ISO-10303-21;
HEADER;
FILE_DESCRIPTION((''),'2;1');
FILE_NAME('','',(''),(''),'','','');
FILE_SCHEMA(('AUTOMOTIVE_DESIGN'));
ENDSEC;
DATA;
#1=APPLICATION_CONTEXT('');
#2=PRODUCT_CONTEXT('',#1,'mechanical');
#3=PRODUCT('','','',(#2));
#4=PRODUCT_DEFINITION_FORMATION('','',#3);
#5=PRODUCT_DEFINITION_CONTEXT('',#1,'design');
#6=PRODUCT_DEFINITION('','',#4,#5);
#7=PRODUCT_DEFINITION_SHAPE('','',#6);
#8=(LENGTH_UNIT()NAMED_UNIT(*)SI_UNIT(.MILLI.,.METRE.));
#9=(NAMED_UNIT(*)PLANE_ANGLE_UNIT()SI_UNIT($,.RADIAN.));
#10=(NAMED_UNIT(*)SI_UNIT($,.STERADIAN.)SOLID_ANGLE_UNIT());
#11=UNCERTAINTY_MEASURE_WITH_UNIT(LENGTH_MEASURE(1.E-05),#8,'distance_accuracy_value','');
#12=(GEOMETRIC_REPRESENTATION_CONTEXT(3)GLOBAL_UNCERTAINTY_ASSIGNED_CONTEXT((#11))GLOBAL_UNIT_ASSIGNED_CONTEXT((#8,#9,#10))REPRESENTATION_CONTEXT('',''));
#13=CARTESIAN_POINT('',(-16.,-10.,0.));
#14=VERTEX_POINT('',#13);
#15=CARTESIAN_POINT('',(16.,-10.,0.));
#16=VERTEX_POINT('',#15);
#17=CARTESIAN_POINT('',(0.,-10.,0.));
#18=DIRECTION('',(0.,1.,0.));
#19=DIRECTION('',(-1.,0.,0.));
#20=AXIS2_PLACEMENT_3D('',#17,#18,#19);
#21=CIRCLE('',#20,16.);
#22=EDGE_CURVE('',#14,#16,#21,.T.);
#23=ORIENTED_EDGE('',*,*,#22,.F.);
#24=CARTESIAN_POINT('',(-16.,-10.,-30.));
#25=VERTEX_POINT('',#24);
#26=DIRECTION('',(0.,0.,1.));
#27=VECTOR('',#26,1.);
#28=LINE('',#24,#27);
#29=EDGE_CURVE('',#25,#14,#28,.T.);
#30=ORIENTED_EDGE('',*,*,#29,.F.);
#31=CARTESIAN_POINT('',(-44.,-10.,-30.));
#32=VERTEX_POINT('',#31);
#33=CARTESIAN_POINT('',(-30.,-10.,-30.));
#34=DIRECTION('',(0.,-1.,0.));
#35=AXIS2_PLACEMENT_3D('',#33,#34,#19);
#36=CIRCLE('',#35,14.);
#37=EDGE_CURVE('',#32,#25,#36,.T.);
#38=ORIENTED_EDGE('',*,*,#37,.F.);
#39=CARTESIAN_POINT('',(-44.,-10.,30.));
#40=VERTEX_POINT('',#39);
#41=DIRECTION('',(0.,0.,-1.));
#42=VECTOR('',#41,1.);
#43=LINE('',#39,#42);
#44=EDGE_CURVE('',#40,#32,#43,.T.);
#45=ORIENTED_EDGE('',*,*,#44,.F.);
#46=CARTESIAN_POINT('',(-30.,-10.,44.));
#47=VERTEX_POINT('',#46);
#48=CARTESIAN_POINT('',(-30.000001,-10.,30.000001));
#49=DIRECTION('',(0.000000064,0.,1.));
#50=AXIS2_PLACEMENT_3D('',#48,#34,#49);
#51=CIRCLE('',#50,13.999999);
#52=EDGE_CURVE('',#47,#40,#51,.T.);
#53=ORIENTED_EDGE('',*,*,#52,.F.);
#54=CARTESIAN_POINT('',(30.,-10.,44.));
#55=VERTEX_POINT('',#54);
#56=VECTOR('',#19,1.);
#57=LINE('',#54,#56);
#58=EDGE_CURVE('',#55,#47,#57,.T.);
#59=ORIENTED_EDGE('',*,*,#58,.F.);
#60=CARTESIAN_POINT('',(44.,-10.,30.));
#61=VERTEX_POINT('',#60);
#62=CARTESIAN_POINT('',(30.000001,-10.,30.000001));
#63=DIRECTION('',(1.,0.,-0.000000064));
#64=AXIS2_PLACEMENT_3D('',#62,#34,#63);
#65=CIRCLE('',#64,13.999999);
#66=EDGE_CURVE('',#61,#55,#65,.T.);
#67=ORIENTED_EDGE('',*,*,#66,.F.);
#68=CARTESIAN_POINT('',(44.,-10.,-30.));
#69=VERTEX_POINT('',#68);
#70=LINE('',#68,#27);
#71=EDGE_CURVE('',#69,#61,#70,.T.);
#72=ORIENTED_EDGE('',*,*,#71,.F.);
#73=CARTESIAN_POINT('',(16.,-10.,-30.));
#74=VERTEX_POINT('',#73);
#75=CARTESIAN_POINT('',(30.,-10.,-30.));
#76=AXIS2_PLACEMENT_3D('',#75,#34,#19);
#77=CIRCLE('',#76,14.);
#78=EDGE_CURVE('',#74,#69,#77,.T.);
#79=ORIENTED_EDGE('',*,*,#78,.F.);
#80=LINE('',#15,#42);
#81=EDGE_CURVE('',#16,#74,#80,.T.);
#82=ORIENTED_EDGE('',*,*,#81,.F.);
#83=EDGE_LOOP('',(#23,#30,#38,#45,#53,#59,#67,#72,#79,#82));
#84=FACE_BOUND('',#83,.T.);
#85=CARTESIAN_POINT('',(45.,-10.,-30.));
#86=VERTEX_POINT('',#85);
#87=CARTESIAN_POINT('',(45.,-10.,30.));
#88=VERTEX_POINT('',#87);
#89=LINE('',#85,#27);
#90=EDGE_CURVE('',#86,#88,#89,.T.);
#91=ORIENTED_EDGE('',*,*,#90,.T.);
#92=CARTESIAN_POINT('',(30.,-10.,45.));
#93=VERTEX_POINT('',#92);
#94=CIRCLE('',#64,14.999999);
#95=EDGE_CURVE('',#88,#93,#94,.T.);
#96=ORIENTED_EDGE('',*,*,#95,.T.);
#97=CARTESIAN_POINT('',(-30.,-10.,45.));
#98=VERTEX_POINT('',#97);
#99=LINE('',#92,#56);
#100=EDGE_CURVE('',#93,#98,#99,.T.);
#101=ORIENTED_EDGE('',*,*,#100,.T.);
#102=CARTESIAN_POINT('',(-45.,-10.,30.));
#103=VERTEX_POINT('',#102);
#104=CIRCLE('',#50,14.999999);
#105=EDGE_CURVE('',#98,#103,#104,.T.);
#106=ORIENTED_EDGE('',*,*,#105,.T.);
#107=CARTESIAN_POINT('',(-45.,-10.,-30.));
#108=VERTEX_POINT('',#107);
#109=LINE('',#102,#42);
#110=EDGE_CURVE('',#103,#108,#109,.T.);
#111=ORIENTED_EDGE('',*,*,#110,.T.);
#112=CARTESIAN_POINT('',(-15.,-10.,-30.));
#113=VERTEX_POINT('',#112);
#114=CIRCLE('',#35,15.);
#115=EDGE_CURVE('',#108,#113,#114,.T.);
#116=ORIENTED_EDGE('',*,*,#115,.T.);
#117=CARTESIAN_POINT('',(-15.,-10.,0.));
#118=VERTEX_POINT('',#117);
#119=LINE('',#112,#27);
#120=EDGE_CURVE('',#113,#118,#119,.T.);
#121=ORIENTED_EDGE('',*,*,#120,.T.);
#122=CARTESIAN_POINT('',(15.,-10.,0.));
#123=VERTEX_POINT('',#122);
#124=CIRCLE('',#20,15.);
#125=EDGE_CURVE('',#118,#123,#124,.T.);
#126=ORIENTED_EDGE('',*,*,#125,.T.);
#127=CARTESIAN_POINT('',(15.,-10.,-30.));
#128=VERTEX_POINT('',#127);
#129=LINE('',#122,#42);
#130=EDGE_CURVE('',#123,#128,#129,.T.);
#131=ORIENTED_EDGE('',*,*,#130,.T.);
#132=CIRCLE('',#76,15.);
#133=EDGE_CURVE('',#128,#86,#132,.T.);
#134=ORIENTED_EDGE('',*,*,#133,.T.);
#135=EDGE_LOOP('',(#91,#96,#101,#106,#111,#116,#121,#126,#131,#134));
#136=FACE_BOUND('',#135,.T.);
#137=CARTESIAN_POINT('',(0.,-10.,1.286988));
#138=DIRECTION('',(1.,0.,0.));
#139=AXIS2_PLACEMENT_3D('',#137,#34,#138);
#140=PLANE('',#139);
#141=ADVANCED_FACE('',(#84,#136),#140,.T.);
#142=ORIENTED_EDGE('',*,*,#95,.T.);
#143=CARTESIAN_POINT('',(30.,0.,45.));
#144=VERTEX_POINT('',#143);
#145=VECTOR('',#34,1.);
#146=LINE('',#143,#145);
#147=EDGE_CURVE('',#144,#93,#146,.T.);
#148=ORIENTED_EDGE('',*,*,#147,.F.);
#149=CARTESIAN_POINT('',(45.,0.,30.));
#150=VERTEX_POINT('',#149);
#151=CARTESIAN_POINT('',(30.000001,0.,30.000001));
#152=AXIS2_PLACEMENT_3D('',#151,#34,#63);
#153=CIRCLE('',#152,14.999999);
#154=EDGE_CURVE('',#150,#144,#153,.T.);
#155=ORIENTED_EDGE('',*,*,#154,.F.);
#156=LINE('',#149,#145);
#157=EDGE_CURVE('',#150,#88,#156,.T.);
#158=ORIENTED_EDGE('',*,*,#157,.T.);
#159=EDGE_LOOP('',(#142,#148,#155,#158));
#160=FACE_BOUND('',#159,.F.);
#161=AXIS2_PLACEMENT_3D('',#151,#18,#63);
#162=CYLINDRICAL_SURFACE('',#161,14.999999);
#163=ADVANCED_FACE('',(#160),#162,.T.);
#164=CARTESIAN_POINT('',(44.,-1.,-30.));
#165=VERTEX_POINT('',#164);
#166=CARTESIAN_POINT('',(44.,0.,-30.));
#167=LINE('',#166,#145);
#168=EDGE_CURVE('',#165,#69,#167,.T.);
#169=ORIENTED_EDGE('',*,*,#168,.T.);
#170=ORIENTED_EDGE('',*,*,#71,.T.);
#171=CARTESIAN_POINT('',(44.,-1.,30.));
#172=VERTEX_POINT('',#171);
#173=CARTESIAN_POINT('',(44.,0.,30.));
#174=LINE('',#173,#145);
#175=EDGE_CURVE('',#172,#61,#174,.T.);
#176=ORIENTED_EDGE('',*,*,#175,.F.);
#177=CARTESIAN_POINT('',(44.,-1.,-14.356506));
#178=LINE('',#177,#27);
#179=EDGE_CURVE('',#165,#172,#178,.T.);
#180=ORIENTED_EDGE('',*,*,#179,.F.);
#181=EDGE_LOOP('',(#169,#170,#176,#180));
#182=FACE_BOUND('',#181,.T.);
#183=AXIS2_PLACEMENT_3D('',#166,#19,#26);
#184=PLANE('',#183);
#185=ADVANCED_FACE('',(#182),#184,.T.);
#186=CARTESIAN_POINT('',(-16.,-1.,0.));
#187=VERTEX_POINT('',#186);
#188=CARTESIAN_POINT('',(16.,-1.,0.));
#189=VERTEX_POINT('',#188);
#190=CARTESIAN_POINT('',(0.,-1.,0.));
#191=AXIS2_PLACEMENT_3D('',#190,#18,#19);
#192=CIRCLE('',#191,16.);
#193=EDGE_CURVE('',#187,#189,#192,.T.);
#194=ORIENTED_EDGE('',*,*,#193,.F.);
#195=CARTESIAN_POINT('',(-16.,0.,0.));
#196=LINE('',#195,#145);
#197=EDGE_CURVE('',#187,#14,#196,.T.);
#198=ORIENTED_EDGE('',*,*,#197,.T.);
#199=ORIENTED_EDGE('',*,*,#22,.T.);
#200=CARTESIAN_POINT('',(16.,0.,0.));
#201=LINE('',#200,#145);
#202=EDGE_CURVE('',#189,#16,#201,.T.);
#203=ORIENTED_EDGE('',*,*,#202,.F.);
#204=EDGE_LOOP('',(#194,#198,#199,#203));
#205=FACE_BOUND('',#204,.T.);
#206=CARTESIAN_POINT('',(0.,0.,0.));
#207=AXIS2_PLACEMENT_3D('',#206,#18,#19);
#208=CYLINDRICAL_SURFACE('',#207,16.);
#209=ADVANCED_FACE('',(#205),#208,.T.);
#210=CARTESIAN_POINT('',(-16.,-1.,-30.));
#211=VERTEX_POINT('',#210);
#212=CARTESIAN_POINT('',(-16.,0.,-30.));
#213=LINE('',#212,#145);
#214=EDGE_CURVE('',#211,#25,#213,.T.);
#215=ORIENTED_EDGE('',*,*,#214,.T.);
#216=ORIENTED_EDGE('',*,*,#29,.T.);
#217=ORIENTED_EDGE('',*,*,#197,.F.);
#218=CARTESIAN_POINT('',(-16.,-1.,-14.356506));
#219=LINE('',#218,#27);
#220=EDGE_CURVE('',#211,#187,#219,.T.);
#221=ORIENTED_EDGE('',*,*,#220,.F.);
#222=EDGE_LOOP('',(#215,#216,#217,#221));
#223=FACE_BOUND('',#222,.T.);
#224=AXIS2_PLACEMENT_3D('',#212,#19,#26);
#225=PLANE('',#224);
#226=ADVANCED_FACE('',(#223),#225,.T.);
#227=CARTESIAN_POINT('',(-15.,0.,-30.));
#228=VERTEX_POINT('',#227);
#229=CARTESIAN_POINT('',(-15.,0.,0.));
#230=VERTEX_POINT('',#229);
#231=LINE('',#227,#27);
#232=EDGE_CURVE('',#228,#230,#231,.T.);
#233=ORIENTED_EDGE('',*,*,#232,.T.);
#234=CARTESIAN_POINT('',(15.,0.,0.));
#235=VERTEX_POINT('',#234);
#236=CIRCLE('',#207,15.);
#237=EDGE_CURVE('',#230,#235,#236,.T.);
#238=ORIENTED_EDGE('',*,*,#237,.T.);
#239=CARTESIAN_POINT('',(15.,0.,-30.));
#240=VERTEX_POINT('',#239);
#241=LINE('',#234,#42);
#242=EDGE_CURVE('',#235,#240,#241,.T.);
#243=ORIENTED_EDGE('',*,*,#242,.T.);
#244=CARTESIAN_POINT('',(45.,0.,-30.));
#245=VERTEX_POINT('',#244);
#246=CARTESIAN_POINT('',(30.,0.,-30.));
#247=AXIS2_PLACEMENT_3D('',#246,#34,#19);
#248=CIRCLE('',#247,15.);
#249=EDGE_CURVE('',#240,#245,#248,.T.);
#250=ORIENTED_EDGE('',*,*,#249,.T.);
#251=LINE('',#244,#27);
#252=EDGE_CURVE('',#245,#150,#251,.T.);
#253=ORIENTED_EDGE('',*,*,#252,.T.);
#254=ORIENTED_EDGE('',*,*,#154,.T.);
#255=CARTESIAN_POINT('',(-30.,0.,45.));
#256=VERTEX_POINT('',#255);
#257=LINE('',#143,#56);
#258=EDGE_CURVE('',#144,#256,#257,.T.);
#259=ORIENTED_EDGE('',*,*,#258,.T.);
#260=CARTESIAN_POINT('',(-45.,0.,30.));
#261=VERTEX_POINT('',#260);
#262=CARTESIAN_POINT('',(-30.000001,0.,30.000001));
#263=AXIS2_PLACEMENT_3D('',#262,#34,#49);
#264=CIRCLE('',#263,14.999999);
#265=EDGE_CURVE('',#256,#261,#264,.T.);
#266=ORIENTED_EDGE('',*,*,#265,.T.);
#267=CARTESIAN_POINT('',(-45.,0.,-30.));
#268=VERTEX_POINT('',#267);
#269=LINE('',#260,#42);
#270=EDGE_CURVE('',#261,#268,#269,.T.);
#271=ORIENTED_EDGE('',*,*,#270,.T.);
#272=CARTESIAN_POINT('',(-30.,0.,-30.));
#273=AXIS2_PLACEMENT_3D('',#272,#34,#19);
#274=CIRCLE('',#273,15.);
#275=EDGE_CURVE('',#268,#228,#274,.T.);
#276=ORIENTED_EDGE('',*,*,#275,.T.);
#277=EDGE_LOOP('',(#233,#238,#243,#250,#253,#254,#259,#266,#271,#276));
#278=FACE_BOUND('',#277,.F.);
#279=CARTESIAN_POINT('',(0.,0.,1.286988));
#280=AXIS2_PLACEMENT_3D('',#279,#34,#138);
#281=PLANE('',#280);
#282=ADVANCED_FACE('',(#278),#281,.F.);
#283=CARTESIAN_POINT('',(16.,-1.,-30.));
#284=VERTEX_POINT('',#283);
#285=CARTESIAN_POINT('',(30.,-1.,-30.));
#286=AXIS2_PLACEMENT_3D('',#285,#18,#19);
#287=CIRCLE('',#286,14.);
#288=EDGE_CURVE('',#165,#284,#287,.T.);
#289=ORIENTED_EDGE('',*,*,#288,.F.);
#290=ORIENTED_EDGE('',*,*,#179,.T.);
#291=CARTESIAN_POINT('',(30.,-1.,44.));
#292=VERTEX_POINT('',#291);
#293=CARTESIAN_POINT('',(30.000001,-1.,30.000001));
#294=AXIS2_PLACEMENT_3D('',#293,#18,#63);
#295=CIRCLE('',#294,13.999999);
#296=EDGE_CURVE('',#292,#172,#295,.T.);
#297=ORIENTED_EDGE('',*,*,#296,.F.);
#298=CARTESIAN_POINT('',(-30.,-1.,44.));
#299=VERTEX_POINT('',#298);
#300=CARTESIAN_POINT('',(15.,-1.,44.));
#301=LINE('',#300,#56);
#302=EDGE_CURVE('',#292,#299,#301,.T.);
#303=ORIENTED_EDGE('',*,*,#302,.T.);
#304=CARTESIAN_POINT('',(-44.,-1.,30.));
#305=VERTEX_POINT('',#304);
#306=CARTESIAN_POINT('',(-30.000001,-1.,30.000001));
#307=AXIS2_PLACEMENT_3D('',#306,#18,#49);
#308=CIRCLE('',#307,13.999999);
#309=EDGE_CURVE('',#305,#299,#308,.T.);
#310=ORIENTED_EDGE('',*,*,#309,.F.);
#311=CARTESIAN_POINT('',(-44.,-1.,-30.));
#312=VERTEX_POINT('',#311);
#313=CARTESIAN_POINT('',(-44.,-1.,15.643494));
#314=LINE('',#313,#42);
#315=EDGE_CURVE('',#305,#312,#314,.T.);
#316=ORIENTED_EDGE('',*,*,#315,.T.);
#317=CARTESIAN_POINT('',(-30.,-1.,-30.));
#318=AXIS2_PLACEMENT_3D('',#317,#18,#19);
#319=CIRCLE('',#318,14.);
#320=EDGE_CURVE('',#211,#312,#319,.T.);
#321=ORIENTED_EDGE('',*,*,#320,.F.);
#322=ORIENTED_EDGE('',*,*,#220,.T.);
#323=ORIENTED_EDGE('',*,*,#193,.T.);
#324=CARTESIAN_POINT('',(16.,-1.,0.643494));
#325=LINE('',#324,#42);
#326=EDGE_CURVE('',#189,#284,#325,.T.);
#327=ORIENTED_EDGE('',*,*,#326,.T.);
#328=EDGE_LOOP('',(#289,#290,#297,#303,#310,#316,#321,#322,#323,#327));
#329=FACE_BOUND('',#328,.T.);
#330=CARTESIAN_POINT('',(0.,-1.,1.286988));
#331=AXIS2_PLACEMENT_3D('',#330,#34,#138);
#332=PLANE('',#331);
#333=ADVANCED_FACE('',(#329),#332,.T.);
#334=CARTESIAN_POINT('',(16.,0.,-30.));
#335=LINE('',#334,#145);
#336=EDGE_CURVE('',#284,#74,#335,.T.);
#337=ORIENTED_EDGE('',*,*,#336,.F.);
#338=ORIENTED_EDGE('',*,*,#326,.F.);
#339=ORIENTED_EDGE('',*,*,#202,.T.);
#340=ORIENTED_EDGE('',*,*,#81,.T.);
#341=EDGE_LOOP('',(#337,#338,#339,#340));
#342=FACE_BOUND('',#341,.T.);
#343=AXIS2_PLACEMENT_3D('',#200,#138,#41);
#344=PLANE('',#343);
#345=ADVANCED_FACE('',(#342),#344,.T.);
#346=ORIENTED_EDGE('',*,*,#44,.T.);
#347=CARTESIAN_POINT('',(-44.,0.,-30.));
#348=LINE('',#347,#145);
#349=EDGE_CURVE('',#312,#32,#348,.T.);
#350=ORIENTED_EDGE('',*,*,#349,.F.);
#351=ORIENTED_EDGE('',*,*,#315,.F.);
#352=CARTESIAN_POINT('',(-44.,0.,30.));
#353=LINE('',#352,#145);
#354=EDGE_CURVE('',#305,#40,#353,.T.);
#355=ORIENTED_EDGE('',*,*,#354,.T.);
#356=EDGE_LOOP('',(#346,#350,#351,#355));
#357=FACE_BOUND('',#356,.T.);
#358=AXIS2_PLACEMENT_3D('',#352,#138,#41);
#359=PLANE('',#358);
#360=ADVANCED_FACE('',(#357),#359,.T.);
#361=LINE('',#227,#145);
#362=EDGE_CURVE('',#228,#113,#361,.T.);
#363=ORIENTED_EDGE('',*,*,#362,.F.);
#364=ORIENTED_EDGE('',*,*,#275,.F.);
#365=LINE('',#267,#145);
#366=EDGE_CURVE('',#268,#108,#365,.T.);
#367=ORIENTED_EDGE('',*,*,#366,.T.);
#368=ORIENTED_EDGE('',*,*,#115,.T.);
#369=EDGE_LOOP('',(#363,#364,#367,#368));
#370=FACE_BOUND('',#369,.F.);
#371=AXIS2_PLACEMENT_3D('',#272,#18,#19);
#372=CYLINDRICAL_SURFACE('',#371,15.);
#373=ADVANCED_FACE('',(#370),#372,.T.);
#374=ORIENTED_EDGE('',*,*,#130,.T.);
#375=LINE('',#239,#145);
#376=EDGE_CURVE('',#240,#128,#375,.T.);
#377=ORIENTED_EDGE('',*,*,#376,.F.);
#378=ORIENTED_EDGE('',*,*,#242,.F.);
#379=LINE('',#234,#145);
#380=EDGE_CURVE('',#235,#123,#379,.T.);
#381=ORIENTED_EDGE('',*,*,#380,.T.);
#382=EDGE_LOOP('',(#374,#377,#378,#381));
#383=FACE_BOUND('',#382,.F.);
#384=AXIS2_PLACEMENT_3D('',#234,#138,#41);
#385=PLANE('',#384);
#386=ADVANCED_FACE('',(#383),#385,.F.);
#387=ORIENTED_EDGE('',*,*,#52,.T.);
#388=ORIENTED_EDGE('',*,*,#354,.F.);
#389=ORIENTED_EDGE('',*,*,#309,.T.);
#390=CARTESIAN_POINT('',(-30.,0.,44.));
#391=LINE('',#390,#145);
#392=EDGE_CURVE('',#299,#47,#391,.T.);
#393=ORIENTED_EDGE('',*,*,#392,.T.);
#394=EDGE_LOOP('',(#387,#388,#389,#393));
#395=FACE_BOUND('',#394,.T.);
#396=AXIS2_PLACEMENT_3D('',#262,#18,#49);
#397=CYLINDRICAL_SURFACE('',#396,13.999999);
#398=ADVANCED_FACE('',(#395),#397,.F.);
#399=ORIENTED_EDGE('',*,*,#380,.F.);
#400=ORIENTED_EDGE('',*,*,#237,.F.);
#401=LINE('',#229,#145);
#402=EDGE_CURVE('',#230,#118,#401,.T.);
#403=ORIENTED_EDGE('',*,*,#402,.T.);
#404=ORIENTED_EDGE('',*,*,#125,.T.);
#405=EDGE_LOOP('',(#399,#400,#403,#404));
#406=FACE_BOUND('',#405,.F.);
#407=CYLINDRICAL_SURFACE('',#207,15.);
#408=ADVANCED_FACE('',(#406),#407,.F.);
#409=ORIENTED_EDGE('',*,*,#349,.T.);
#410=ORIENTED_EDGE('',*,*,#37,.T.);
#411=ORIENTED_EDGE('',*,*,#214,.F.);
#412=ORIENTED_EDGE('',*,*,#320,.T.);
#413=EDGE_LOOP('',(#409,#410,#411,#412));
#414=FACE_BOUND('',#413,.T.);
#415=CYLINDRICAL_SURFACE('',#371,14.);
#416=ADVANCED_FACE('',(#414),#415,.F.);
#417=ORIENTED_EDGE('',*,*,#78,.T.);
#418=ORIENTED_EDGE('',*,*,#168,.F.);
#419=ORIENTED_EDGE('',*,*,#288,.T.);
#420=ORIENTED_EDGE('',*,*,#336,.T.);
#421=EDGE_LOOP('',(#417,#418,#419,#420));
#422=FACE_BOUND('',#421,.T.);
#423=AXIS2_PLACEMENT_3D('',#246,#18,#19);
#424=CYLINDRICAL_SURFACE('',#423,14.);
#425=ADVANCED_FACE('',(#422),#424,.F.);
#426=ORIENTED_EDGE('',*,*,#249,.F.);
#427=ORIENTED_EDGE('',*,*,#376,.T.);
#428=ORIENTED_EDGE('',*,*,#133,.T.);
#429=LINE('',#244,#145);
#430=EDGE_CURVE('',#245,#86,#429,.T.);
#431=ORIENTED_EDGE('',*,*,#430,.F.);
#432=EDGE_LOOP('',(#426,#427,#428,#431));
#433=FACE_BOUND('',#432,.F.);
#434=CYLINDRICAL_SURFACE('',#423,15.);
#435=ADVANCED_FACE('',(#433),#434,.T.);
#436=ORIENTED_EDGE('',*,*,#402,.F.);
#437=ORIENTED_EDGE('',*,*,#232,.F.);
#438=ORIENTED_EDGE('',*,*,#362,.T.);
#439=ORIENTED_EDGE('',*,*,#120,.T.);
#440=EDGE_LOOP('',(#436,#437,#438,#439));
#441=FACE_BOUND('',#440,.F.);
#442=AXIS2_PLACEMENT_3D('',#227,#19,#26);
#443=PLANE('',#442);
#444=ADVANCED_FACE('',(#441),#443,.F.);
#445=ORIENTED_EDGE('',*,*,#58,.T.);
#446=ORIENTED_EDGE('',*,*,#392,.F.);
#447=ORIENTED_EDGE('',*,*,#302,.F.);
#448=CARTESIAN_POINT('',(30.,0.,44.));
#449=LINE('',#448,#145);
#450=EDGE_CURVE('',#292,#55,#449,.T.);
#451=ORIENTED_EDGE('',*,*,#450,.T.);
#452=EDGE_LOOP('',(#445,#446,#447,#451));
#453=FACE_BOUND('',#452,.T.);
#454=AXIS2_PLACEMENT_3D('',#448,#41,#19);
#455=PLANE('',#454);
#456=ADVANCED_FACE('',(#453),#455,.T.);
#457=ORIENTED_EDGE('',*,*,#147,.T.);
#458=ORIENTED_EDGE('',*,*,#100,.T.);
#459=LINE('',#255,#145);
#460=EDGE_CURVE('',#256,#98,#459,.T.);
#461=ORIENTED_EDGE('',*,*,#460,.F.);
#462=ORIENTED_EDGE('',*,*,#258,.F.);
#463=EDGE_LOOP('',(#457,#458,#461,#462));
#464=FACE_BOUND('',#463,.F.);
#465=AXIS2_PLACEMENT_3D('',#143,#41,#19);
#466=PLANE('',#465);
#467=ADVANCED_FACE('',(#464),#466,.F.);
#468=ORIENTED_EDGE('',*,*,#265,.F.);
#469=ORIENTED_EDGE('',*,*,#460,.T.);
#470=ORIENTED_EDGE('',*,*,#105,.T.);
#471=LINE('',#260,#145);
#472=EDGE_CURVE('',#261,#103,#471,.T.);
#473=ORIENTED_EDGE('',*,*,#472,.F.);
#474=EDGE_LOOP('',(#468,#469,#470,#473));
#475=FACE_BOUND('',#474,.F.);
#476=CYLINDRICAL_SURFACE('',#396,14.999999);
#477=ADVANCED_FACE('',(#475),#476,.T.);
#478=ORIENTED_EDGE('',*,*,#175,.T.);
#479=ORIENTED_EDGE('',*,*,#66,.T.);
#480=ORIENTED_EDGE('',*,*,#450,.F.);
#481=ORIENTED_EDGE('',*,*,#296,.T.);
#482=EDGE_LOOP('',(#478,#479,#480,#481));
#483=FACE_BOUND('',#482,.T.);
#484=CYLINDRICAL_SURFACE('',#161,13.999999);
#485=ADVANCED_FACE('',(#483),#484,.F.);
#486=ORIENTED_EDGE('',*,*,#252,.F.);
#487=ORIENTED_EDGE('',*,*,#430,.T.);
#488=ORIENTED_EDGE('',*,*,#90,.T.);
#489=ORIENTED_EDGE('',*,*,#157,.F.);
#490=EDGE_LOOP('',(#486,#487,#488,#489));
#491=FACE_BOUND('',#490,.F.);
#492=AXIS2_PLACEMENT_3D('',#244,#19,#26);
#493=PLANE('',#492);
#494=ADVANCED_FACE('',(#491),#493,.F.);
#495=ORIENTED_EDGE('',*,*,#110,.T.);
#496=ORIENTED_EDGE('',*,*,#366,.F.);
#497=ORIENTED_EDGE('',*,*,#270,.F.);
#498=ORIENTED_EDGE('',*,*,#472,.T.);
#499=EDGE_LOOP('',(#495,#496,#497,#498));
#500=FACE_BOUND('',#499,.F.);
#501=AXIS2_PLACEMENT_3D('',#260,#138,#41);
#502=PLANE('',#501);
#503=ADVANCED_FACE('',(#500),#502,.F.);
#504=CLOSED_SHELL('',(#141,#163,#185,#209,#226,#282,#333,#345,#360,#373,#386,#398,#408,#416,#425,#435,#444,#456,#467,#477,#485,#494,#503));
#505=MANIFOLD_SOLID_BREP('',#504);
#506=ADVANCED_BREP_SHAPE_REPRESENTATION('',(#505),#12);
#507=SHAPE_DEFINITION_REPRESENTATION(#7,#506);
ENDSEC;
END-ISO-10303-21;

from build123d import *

# Parameters (mm, degrees)
F1_DEPTH = 10
F2_T     = -1


with BuildPart() as f1:
    # F0 (on Front) → F1 (new body)
    with BuildSketch(Plane.XZ):
        with BuildLine():
            Line((30, 45), (-30, 45))
            ThreePointArc((-30, 45), (-40.606602, 40.606602), (-45, 30))
            Line((-45, 30), (-45, -30))
            ThreePointArc((-45, -30), (-30, -45), (-15, -30))
            Line((-15, -30), (-15, 0))
            ThreePointArc((-15, 0), (0, 15), (15, 0))
            Line((15, 0), (15, -30))
            ThreePointArc((15, -30), (30, -45), (45, -30))
            Line((45, -30), (45, 30))
            ThreePointArc((45, 30), (40.606602, 40.606602), (30, 45))
        make_face()
    extrude(amount=F1_DEPTH)

    # F2
    f2_openings = [f1.faces().sort_by_distance(p)[0] for p in [
        (0, -10, 43.727208),
    ]]
    offset(amount=F2_T, openings=f2_openings)


solid = f1.part
